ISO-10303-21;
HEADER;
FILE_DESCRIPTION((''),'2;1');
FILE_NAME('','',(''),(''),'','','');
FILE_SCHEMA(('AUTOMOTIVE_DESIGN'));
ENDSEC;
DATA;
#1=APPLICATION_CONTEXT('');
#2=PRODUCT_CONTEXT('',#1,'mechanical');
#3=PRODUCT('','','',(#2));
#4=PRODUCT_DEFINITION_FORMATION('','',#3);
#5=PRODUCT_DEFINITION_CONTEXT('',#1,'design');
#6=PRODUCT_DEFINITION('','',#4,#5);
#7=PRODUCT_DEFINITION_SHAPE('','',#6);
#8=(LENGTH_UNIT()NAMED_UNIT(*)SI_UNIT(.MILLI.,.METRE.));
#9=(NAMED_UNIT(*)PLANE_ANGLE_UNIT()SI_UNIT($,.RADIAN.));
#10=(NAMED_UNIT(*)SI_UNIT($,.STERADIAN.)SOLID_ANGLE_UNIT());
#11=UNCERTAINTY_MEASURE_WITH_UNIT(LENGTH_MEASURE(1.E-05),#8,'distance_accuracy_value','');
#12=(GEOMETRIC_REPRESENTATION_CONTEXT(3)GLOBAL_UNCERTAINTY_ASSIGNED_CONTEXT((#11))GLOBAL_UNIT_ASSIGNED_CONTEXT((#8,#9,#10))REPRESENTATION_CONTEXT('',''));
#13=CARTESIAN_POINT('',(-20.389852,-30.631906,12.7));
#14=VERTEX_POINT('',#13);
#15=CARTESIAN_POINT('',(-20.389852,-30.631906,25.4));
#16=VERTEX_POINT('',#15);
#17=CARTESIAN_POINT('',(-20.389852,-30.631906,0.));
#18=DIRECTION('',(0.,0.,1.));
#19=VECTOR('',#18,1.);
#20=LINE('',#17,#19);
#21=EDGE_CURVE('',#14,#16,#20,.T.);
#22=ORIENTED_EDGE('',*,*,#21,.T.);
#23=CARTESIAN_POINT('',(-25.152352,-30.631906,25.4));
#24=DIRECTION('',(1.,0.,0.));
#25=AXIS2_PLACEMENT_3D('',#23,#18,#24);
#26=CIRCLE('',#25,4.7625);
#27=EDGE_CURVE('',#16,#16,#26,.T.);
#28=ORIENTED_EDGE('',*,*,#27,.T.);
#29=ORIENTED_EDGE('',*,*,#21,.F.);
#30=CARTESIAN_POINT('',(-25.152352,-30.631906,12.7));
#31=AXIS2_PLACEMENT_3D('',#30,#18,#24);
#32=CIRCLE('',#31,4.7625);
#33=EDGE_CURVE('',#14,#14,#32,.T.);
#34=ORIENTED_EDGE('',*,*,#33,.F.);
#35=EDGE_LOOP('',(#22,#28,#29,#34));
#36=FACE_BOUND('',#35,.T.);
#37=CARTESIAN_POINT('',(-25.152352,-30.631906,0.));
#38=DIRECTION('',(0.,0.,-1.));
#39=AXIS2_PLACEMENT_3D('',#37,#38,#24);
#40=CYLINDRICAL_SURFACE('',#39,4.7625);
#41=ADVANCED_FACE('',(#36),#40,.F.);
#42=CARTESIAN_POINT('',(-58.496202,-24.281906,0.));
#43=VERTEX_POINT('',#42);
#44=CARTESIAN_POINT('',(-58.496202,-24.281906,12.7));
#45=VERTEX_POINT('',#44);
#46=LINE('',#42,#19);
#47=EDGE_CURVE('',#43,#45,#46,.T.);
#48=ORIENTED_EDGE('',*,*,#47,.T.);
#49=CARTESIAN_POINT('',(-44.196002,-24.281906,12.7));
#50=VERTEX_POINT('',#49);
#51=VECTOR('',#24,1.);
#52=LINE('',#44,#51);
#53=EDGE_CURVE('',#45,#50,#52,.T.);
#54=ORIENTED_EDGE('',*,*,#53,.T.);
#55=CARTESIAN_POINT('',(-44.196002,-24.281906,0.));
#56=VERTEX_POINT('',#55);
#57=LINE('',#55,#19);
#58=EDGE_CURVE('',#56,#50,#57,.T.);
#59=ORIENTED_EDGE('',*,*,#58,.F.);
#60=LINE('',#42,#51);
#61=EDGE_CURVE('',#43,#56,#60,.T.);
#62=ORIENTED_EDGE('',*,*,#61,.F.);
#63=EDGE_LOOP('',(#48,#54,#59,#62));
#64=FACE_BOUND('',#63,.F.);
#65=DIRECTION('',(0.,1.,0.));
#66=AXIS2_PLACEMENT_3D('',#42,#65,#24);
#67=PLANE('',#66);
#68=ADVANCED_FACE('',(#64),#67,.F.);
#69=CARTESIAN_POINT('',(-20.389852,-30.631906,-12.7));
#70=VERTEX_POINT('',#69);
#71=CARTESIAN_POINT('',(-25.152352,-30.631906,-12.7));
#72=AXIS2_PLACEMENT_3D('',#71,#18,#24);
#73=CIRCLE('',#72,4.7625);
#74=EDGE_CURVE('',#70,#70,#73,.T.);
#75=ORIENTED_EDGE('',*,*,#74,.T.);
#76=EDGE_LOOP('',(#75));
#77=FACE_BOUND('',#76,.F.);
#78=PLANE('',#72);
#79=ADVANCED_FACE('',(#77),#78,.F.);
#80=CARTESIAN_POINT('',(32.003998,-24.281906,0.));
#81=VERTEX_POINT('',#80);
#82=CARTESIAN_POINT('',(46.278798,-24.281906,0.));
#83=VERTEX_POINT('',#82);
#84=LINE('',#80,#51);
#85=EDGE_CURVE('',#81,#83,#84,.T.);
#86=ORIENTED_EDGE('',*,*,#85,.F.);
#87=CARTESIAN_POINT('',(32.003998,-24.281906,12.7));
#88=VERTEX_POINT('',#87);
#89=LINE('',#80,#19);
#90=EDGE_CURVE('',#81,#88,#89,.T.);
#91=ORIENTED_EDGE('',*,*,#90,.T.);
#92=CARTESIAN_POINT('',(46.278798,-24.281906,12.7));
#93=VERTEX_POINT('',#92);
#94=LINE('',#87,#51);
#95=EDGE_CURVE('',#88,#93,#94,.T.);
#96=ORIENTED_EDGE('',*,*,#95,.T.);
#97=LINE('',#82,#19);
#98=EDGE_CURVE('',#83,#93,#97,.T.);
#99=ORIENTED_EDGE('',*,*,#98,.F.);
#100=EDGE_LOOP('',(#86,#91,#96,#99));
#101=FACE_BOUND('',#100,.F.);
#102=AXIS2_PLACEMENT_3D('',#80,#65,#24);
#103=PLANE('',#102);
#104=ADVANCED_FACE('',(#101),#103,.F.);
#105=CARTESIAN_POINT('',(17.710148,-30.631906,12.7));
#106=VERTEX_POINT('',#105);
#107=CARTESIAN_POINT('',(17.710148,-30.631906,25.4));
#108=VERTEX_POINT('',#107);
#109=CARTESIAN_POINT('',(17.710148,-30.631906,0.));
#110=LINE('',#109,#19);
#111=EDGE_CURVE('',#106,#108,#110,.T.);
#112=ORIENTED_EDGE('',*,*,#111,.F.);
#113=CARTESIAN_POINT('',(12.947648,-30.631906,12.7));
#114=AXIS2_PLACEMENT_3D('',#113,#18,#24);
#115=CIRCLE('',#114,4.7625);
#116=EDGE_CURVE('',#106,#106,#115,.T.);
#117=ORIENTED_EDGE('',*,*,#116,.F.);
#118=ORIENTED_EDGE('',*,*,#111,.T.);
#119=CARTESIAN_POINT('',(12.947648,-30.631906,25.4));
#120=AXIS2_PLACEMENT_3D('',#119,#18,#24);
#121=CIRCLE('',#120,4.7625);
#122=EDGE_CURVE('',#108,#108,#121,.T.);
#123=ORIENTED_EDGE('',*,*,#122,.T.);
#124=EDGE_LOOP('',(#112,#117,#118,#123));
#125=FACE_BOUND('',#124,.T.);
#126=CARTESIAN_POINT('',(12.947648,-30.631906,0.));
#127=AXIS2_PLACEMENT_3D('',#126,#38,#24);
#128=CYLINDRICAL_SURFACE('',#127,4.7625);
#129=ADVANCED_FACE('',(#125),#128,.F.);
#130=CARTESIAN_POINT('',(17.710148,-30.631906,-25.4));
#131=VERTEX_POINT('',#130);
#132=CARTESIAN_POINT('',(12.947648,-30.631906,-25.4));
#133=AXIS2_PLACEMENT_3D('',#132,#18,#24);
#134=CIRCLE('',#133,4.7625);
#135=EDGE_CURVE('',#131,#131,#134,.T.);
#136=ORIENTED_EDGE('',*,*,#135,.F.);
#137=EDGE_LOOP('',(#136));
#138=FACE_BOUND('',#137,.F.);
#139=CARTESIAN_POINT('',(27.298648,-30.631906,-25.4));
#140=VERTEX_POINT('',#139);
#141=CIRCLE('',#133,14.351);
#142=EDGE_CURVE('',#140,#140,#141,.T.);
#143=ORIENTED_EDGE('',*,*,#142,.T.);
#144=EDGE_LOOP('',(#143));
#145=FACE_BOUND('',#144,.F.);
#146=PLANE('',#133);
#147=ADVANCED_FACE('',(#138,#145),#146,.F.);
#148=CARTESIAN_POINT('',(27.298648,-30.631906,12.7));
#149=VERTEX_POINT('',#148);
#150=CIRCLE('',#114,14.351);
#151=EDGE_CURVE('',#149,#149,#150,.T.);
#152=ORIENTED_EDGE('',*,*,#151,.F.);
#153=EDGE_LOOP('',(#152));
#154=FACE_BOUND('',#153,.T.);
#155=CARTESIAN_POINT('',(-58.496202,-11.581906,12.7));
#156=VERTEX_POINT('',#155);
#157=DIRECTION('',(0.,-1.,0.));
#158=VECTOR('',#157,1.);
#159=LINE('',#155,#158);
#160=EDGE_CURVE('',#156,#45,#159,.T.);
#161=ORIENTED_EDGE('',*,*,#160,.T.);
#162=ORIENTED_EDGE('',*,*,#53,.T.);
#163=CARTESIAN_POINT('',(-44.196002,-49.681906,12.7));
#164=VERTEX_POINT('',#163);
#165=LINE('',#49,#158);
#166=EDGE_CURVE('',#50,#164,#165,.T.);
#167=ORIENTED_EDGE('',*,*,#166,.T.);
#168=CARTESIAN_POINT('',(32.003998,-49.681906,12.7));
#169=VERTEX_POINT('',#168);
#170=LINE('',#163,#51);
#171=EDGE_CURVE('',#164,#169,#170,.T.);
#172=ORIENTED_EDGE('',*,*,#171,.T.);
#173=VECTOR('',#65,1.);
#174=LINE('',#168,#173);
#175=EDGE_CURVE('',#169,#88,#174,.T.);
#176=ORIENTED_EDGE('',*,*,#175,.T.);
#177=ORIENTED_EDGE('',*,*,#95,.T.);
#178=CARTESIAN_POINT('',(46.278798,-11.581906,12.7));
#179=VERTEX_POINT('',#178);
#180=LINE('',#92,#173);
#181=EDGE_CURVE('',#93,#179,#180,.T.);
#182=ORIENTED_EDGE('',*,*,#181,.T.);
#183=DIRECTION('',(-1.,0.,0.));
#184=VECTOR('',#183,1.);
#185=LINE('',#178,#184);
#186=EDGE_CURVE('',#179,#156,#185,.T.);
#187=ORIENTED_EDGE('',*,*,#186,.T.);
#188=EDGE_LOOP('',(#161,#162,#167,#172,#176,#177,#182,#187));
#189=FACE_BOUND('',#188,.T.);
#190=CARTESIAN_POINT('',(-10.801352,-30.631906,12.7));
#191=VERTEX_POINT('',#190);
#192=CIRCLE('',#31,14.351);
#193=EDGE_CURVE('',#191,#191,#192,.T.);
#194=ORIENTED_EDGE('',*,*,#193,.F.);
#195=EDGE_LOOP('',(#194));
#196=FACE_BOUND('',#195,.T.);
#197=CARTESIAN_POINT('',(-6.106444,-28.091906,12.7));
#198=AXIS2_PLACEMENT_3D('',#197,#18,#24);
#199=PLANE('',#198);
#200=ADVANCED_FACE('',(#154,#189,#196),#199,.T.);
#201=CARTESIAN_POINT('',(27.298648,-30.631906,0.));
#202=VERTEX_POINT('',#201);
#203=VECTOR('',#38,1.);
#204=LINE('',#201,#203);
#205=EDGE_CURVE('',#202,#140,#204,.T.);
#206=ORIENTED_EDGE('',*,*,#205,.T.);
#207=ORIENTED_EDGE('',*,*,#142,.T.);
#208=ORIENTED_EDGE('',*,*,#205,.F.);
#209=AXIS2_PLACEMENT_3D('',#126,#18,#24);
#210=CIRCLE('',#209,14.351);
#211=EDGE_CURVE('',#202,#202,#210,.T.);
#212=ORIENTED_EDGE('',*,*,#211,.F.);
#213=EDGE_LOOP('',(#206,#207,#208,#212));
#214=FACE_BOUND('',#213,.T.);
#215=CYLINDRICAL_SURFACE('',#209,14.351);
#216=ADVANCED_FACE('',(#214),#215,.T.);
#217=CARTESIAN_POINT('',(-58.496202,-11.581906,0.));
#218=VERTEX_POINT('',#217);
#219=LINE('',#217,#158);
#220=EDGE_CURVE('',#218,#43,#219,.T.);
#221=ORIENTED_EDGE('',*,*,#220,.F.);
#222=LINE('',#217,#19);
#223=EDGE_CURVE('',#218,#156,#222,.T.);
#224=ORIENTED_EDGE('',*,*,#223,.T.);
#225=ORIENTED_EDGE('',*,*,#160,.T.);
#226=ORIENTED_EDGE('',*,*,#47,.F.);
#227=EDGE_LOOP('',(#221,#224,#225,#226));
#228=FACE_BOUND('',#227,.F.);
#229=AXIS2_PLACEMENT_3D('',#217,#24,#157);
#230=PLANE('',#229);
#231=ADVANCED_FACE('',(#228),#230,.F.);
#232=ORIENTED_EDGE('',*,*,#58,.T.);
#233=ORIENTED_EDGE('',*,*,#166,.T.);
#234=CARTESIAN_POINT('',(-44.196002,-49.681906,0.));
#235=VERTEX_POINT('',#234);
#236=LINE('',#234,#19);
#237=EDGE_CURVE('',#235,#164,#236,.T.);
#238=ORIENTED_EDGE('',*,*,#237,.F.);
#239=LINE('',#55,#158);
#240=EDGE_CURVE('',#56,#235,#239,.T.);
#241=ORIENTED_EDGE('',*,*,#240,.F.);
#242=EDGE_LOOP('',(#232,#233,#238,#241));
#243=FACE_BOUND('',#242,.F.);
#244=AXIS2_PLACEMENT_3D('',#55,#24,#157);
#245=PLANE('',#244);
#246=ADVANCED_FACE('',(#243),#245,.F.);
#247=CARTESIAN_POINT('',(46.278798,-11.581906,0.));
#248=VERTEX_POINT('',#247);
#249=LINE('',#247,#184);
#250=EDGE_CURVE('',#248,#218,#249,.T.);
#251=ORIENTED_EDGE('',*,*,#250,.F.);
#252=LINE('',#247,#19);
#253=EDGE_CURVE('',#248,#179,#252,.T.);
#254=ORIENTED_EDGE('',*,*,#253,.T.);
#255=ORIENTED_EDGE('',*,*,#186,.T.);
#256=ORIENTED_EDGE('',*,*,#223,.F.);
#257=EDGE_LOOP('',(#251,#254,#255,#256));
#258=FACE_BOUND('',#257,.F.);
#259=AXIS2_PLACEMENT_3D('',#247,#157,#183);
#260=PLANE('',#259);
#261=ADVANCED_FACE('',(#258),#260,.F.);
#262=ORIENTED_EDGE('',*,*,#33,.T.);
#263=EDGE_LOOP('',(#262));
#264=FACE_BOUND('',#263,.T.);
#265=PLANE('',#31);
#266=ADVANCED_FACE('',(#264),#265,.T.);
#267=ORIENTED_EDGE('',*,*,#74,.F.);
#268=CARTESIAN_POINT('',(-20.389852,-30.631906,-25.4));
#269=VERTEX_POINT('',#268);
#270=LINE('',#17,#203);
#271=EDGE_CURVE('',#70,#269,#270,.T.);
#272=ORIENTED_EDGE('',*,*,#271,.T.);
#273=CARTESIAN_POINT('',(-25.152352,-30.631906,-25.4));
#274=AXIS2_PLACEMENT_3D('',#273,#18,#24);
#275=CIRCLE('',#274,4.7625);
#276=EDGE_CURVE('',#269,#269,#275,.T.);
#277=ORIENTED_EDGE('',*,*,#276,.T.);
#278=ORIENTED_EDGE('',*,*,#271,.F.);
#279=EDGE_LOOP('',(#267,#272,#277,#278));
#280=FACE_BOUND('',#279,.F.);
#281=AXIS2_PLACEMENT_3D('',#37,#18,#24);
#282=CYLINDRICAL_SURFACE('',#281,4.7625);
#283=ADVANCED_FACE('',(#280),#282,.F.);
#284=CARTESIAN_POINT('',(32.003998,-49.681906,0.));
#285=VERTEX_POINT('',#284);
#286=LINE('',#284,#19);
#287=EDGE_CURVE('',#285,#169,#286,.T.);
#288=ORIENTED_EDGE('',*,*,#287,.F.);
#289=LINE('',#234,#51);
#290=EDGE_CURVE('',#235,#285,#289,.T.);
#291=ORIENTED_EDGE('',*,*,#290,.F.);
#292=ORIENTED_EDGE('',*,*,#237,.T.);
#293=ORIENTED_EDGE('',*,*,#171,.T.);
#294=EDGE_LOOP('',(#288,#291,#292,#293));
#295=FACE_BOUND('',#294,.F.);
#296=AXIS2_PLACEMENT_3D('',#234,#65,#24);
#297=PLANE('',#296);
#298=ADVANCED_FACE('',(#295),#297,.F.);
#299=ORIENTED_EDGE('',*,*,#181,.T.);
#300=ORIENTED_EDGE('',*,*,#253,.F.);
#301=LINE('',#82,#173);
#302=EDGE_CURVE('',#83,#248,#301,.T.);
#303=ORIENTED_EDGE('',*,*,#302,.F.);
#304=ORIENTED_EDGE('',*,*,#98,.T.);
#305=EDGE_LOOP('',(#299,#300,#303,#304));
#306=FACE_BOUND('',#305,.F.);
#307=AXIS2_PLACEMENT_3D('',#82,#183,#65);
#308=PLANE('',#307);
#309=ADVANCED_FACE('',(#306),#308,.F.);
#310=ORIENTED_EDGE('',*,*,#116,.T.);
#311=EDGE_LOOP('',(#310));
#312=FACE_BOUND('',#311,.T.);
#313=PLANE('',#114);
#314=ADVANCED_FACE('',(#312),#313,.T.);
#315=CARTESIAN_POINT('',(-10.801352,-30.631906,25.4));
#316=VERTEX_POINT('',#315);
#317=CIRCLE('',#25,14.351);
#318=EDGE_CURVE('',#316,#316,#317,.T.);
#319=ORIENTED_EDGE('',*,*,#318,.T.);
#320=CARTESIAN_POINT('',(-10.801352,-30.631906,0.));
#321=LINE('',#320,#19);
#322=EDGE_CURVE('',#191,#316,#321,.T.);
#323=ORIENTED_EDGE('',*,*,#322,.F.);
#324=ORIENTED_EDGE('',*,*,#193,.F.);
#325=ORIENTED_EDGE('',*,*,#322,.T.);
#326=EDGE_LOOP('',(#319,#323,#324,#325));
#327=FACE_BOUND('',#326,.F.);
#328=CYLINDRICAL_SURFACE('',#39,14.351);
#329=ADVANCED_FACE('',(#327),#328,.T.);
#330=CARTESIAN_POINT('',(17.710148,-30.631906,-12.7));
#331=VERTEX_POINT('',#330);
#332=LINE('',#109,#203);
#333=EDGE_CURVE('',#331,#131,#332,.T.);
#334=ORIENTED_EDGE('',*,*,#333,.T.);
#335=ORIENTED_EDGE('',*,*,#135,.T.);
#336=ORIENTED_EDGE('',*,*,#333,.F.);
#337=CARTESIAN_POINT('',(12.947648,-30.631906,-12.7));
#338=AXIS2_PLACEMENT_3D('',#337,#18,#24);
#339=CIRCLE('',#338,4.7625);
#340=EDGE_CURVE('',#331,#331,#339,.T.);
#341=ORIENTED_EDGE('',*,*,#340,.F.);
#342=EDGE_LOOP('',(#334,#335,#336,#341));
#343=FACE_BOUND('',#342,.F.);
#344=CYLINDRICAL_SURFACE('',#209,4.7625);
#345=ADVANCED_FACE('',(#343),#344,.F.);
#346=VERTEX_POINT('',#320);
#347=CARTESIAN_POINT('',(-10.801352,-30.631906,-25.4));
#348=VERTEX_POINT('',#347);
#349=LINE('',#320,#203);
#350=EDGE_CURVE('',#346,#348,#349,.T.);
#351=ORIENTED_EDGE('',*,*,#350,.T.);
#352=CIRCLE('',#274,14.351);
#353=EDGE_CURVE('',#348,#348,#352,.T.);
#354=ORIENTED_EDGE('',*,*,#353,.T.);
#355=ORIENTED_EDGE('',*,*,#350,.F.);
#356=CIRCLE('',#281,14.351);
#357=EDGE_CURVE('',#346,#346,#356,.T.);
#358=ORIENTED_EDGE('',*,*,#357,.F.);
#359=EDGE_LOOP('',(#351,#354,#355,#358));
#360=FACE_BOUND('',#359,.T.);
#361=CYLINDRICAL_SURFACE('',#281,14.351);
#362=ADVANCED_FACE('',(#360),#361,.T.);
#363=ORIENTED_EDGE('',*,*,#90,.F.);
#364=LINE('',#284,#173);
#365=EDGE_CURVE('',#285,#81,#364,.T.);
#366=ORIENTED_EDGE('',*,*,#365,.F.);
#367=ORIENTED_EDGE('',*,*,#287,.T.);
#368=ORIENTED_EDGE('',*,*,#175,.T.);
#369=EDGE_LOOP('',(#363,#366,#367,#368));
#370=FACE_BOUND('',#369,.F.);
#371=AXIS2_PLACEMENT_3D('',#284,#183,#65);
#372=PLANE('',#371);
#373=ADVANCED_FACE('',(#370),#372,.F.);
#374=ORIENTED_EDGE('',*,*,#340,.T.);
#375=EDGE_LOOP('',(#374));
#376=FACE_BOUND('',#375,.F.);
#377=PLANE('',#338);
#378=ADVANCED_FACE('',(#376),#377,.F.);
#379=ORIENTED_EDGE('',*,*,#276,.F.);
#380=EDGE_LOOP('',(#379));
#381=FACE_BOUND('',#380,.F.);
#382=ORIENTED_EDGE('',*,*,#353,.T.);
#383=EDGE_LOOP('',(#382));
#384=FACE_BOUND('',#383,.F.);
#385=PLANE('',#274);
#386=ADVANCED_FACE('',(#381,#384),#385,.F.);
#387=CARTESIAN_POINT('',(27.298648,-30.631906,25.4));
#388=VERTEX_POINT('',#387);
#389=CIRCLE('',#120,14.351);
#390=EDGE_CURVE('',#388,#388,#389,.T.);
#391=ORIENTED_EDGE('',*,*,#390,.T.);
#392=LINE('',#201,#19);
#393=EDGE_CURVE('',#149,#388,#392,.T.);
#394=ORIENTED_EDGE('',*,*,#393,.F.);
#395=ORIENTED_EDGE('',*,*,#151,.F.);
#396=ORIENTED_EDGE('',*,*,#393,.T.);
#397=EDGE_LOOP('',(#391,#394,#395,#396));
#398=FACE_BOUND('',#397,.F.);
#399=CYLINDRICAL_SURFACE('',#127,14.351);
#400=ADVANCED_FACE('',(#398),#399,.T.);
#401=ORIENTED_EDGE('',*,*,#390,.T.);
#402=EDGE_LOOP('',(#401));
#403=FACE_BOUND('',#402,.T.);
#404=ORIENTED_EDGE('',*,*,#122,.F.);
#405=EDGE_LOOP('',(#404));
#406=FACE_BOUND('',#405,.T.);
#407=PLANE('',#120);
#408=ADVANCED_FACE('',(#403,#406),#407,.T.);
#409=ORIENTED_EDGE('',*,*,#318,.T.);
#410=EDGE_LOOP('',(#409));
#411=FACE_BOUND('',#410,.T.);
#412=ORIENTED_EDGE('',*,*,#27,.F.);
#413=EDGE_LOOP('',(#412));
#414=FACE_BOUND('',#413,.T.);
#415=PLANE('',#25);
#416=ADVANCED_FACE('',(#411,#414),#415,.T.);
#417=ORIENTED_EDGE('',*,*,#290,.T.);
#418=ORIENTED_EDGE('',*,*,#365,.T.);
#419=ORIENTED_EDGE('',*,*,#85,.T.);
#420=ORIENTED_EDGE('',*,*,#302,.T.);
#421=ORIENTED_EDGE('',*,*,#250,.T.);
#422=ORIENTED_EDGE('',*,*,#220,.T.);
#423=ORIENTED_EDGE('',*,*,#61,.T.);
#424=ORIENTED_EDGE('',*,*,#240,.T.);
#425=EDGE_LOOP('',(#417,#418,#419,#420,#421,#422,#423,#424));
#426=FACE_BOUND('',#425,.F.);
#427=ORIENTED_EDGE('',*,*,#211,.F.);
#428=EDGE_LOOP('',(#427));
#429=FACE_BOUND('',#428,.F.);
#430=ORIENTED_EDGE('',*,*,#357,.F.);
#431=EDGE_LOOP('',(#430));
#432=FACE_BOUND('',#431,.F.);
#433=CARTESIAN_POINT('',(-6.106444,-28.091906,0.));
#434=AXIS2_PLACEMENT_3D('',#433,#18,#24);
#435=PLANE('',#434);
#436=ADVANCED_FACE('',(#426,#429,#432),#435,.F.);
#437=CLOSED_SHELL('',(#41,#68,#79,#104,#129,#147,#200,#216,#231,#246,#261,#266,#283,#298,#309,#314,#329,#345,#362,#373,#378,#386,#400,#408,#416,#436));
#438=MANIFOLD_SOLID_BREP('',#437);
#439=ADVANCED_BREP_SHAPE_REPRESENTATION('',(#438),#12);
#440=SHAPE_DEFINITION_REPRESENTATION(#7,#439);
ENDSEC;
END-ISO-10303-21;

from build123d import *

# Parameters (mm, degrees)
F0_R          = 14.351
F1_DEPTH      = 12.7
F0_R_2        = 4.7625
F2_DEPTH      = 25.4
F2_DEPTH_BACK = 25.4
F3_DEPTH      = 12.7
F3_DEPTH_BACK = 12.7


with BuildPart() as f1:
    # F0 (on Top) → F1 (new body)
    with BuildSketch(Plane.XY):
        Polygon((-44.196002, -24.281906), (-44.196002, -49.681906), (32.003998, -49.681906), (32.003998, -24.281906), (46.278798, -24.281906), (46.278798, -11.581906), (-58.496202, -11.581906), (-58.496202, -24.281906), align=None)
        with Locations((-25.152352, -30.631906)):
            Circle(F0_R, mode=Mode.SUBTRACT)
        with Locations((12.947648, -30.631906)):
            Circle(F0_R, mode=Mode.SUBTRACT)
    extrude(amount=F1_DEPTH)

    # F0 (on Top) → F2 (join, two sides)
    with BuildSketch(Plane.XY) as f2_sk:
        with Locations((-25.152352, -30.631906)):
            Circle(F0_R)
        with Locations((-25.152352, -30.631906)):
            Circle(F0_R_2, mode=Mode.SUBTRACT)
        with Locations((12.947648, -30.631906)):
            Circle(F0_R)
        with Locations((12.947648, -30.631906)):
            Circle(F0_R_2, mode=Mode.SUBTRACT)
    extrude(amount=F2_DEPTH)
    extrude(f2_sk.sketch, amount=-F2_DEPTH_BACK)

    # F0 (on Top) → F3 (join, two sides)
    with BuildSketch(Plane.XY) as f3_sk:
        with Locations((-25.152352, -30.631906)):
            Circle(F0_R_2)
        with Locations((12.947648, -30.631906)):
            Circle(F0_R_2)
    extrude(amount=F3_DEPTH)
    extrude(f3_sk.sketch, amount=-F3_DEPTH_BACK)


solid = f1.part
